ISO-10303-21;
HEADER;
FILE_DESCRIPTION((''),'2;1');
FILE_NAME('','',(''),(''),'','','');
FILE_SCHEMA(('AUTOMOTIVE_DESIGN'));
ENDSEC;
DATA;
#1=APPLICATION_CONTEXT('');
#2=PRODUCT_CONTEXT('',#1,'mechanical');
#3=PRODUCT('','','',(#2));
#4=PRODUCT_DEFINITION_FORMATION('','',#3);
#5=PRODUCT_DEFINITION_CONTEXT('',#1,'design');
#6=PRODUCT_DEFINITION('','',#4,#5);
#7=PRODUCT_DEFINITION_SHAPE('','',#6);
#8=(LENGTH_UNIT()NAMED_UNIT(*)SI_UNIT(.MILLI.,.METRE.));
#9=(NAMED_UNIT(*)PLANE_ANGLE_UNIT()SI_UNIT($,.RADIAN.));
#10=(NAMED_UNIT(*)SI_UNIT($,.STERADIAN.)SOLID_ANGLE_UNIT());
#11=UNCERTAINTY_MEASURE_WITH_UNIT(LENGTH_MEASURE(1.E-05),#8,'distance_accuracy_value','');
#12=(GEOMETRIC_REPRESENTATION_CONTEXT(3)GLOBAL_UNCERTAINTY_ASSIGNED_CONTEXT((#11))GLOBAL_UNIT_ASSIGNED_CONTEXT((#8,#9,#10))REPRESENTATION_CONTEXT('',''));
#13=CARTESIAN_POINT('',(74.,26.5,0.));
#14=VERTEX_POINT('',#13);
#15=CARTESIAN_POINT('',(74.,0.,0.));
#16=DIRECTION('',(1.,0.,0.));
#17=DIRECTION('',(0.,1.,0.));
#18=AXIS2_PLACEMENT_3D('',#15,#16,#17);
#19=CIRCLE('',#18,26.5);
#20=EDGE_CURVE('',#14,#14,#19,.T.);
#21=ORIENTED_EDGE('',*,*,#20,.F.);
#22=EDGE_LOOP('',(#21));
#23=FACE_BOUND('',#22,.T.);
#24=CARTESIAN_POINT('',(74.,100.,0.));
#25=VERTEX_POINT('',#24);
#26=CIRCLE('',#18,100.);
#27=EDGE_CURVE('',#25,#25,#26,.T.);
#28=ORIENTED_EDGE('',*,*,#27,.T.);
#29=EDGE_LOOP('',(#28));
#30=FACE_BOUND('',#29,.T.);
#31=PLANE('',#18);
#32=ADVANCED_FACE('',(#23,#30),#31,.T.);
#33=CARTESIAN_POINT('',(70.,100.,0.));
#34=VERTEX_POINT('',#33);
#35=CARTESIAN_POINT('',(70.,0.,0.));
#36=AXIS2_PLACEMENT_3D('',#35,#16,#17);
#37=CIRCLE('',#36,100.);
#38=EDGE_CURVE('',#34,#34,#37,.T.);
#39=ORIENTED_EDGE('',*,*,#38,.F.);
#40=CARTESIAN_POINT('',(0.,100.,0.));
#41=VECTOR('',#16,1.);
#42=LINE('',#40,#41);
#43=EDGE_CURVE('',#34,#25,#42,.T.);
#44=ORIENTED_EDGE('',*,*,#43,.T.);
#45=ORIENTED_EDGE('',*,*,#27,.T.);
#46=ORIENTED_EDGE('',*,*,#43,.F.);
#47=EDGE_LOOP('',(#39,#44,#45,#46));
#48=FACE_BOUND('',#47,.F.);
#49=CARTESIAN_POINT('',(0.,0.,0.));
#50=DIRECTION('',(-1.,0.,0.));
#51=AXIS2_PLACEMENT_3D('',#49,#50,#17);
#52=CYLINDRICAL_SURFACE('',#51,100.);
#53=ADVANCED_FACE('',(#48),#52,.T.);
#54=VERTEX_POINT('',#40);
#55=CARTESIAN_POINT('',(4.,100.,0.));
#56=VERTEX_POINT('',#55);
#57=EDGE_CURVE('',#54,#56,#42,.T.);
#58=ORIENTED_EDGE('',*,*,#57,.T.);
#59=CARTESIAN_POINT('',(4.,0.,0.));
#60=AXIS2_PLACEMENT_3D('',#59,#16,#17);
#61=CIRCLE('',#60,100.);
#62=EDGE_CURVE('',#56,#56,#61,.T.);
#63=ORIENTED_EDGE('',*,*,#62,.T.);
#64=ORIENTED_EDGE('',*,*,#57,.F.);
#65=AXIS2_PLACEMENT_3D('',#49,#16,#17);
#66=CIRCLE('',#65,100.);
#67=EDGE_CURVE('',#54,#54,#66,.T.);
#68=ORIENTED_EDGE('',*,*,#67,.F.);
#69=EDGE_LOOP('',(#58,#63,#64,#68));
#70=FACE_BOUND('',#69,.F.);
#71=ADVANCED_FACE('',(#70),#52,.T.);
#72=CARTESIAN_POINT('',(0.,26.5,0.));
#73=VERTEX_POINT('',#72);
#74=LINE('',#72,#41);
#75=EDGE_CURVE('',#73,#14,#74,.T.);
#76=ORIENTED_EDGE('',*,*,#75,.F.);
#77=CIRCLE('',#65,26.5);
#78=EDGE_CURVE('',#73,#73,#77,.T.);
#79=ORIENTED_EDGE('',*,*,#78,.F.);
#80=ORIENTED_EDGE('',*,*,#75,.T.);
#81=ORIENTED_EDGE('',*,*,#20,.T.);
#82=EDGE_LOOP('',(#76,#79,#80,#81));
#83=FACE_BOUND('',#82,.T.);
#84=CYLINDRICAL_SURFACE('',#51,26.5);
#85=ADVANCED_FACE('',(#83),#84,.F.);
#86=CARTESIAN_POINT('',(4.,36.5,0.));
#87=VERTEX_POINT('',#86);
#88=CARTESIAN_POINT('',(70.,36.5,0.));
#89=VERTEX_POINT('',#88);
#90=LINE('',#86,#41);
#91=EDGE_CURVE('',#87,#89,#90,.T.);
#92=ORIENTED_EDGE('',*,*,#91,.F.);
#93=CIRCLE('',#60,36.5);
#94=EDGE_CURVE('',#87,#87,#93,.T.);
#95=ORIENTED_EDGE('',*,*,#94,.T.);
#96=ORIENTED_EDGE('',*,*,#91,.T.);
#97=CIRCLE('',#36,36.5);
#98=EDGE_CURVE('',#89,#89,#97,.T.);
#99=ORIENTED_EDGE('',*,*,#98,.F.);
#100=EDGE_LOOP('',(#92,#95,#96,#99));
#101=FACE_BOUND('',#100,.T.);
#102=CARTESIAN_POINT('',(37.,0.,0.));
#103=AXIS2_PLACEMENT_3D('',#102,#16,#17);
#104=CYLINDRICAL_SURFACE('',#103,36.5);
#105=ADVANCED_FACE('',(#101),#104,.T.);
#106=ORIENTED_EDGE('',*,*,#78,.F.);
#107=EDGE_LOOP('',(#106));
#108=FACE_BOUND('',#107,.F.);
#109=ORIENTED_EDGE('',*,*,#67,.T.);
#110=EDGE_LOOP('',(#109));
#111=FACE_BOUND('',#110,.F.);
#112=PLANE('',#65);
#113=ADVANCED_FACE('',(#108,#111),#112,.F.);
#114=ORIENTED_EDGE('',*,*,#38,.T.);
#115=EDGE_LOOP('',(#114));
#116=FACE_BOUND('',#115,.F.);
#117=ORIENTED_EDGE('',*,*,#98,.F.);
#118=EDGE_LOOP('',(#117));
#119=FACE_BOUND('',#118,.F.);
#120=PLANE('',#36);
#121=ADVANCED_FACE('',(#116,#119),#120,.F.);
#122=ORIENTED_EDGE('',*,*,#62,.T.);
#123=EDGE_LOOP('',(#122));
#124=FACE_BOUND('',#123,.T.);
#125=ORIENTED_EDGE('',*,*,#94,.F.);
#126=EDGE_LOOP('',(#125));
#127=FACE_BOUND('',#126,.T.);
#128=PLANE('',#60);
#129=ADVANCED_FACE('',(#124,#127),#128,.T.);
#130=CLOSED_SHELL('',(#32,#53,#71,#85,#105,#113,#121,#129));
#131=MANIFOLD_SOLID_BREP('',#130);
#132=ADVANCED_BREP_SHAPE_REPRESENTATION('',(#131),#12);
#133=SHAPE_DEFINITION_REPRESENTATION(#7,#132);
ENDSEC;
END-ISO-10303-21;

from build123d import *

# Parameters (mm, degrees)
F0_R          = 100
F0_R_2        = 26.5
F1_DEPTH      = 74
F3_R          = 100
F3_R_2        = 36.5
F4_DEPTH      = 33
F4_DEPTH_BACK = 33


with BuildPart() as f1:
    # F0 (on Right) → F1 (new body)
    with BuildSketch(Plane.YZ):
        Circle(F0_R)
        Circle(F0_R_2, mode=Mode.SUBTRACT)
    extrude(amount=F1_DEPTH)

    # F3 (on offset) → F4 (cut, two sides)
    with BuildSketch(Plane.YZ.offset(37)) as f4_sk:
        Circle(F3_R)
        Circle(F3_R_2, mode=Mode.SUBTRACT)
    extrude(amount=-F4_DEPTH, mode=Mode.SUBTRACT)
    extrude(f4_sk.sketch, amount=F4_DEPTH_BACK, mode=Mode.SUBTRACT)


solid = f1.part
